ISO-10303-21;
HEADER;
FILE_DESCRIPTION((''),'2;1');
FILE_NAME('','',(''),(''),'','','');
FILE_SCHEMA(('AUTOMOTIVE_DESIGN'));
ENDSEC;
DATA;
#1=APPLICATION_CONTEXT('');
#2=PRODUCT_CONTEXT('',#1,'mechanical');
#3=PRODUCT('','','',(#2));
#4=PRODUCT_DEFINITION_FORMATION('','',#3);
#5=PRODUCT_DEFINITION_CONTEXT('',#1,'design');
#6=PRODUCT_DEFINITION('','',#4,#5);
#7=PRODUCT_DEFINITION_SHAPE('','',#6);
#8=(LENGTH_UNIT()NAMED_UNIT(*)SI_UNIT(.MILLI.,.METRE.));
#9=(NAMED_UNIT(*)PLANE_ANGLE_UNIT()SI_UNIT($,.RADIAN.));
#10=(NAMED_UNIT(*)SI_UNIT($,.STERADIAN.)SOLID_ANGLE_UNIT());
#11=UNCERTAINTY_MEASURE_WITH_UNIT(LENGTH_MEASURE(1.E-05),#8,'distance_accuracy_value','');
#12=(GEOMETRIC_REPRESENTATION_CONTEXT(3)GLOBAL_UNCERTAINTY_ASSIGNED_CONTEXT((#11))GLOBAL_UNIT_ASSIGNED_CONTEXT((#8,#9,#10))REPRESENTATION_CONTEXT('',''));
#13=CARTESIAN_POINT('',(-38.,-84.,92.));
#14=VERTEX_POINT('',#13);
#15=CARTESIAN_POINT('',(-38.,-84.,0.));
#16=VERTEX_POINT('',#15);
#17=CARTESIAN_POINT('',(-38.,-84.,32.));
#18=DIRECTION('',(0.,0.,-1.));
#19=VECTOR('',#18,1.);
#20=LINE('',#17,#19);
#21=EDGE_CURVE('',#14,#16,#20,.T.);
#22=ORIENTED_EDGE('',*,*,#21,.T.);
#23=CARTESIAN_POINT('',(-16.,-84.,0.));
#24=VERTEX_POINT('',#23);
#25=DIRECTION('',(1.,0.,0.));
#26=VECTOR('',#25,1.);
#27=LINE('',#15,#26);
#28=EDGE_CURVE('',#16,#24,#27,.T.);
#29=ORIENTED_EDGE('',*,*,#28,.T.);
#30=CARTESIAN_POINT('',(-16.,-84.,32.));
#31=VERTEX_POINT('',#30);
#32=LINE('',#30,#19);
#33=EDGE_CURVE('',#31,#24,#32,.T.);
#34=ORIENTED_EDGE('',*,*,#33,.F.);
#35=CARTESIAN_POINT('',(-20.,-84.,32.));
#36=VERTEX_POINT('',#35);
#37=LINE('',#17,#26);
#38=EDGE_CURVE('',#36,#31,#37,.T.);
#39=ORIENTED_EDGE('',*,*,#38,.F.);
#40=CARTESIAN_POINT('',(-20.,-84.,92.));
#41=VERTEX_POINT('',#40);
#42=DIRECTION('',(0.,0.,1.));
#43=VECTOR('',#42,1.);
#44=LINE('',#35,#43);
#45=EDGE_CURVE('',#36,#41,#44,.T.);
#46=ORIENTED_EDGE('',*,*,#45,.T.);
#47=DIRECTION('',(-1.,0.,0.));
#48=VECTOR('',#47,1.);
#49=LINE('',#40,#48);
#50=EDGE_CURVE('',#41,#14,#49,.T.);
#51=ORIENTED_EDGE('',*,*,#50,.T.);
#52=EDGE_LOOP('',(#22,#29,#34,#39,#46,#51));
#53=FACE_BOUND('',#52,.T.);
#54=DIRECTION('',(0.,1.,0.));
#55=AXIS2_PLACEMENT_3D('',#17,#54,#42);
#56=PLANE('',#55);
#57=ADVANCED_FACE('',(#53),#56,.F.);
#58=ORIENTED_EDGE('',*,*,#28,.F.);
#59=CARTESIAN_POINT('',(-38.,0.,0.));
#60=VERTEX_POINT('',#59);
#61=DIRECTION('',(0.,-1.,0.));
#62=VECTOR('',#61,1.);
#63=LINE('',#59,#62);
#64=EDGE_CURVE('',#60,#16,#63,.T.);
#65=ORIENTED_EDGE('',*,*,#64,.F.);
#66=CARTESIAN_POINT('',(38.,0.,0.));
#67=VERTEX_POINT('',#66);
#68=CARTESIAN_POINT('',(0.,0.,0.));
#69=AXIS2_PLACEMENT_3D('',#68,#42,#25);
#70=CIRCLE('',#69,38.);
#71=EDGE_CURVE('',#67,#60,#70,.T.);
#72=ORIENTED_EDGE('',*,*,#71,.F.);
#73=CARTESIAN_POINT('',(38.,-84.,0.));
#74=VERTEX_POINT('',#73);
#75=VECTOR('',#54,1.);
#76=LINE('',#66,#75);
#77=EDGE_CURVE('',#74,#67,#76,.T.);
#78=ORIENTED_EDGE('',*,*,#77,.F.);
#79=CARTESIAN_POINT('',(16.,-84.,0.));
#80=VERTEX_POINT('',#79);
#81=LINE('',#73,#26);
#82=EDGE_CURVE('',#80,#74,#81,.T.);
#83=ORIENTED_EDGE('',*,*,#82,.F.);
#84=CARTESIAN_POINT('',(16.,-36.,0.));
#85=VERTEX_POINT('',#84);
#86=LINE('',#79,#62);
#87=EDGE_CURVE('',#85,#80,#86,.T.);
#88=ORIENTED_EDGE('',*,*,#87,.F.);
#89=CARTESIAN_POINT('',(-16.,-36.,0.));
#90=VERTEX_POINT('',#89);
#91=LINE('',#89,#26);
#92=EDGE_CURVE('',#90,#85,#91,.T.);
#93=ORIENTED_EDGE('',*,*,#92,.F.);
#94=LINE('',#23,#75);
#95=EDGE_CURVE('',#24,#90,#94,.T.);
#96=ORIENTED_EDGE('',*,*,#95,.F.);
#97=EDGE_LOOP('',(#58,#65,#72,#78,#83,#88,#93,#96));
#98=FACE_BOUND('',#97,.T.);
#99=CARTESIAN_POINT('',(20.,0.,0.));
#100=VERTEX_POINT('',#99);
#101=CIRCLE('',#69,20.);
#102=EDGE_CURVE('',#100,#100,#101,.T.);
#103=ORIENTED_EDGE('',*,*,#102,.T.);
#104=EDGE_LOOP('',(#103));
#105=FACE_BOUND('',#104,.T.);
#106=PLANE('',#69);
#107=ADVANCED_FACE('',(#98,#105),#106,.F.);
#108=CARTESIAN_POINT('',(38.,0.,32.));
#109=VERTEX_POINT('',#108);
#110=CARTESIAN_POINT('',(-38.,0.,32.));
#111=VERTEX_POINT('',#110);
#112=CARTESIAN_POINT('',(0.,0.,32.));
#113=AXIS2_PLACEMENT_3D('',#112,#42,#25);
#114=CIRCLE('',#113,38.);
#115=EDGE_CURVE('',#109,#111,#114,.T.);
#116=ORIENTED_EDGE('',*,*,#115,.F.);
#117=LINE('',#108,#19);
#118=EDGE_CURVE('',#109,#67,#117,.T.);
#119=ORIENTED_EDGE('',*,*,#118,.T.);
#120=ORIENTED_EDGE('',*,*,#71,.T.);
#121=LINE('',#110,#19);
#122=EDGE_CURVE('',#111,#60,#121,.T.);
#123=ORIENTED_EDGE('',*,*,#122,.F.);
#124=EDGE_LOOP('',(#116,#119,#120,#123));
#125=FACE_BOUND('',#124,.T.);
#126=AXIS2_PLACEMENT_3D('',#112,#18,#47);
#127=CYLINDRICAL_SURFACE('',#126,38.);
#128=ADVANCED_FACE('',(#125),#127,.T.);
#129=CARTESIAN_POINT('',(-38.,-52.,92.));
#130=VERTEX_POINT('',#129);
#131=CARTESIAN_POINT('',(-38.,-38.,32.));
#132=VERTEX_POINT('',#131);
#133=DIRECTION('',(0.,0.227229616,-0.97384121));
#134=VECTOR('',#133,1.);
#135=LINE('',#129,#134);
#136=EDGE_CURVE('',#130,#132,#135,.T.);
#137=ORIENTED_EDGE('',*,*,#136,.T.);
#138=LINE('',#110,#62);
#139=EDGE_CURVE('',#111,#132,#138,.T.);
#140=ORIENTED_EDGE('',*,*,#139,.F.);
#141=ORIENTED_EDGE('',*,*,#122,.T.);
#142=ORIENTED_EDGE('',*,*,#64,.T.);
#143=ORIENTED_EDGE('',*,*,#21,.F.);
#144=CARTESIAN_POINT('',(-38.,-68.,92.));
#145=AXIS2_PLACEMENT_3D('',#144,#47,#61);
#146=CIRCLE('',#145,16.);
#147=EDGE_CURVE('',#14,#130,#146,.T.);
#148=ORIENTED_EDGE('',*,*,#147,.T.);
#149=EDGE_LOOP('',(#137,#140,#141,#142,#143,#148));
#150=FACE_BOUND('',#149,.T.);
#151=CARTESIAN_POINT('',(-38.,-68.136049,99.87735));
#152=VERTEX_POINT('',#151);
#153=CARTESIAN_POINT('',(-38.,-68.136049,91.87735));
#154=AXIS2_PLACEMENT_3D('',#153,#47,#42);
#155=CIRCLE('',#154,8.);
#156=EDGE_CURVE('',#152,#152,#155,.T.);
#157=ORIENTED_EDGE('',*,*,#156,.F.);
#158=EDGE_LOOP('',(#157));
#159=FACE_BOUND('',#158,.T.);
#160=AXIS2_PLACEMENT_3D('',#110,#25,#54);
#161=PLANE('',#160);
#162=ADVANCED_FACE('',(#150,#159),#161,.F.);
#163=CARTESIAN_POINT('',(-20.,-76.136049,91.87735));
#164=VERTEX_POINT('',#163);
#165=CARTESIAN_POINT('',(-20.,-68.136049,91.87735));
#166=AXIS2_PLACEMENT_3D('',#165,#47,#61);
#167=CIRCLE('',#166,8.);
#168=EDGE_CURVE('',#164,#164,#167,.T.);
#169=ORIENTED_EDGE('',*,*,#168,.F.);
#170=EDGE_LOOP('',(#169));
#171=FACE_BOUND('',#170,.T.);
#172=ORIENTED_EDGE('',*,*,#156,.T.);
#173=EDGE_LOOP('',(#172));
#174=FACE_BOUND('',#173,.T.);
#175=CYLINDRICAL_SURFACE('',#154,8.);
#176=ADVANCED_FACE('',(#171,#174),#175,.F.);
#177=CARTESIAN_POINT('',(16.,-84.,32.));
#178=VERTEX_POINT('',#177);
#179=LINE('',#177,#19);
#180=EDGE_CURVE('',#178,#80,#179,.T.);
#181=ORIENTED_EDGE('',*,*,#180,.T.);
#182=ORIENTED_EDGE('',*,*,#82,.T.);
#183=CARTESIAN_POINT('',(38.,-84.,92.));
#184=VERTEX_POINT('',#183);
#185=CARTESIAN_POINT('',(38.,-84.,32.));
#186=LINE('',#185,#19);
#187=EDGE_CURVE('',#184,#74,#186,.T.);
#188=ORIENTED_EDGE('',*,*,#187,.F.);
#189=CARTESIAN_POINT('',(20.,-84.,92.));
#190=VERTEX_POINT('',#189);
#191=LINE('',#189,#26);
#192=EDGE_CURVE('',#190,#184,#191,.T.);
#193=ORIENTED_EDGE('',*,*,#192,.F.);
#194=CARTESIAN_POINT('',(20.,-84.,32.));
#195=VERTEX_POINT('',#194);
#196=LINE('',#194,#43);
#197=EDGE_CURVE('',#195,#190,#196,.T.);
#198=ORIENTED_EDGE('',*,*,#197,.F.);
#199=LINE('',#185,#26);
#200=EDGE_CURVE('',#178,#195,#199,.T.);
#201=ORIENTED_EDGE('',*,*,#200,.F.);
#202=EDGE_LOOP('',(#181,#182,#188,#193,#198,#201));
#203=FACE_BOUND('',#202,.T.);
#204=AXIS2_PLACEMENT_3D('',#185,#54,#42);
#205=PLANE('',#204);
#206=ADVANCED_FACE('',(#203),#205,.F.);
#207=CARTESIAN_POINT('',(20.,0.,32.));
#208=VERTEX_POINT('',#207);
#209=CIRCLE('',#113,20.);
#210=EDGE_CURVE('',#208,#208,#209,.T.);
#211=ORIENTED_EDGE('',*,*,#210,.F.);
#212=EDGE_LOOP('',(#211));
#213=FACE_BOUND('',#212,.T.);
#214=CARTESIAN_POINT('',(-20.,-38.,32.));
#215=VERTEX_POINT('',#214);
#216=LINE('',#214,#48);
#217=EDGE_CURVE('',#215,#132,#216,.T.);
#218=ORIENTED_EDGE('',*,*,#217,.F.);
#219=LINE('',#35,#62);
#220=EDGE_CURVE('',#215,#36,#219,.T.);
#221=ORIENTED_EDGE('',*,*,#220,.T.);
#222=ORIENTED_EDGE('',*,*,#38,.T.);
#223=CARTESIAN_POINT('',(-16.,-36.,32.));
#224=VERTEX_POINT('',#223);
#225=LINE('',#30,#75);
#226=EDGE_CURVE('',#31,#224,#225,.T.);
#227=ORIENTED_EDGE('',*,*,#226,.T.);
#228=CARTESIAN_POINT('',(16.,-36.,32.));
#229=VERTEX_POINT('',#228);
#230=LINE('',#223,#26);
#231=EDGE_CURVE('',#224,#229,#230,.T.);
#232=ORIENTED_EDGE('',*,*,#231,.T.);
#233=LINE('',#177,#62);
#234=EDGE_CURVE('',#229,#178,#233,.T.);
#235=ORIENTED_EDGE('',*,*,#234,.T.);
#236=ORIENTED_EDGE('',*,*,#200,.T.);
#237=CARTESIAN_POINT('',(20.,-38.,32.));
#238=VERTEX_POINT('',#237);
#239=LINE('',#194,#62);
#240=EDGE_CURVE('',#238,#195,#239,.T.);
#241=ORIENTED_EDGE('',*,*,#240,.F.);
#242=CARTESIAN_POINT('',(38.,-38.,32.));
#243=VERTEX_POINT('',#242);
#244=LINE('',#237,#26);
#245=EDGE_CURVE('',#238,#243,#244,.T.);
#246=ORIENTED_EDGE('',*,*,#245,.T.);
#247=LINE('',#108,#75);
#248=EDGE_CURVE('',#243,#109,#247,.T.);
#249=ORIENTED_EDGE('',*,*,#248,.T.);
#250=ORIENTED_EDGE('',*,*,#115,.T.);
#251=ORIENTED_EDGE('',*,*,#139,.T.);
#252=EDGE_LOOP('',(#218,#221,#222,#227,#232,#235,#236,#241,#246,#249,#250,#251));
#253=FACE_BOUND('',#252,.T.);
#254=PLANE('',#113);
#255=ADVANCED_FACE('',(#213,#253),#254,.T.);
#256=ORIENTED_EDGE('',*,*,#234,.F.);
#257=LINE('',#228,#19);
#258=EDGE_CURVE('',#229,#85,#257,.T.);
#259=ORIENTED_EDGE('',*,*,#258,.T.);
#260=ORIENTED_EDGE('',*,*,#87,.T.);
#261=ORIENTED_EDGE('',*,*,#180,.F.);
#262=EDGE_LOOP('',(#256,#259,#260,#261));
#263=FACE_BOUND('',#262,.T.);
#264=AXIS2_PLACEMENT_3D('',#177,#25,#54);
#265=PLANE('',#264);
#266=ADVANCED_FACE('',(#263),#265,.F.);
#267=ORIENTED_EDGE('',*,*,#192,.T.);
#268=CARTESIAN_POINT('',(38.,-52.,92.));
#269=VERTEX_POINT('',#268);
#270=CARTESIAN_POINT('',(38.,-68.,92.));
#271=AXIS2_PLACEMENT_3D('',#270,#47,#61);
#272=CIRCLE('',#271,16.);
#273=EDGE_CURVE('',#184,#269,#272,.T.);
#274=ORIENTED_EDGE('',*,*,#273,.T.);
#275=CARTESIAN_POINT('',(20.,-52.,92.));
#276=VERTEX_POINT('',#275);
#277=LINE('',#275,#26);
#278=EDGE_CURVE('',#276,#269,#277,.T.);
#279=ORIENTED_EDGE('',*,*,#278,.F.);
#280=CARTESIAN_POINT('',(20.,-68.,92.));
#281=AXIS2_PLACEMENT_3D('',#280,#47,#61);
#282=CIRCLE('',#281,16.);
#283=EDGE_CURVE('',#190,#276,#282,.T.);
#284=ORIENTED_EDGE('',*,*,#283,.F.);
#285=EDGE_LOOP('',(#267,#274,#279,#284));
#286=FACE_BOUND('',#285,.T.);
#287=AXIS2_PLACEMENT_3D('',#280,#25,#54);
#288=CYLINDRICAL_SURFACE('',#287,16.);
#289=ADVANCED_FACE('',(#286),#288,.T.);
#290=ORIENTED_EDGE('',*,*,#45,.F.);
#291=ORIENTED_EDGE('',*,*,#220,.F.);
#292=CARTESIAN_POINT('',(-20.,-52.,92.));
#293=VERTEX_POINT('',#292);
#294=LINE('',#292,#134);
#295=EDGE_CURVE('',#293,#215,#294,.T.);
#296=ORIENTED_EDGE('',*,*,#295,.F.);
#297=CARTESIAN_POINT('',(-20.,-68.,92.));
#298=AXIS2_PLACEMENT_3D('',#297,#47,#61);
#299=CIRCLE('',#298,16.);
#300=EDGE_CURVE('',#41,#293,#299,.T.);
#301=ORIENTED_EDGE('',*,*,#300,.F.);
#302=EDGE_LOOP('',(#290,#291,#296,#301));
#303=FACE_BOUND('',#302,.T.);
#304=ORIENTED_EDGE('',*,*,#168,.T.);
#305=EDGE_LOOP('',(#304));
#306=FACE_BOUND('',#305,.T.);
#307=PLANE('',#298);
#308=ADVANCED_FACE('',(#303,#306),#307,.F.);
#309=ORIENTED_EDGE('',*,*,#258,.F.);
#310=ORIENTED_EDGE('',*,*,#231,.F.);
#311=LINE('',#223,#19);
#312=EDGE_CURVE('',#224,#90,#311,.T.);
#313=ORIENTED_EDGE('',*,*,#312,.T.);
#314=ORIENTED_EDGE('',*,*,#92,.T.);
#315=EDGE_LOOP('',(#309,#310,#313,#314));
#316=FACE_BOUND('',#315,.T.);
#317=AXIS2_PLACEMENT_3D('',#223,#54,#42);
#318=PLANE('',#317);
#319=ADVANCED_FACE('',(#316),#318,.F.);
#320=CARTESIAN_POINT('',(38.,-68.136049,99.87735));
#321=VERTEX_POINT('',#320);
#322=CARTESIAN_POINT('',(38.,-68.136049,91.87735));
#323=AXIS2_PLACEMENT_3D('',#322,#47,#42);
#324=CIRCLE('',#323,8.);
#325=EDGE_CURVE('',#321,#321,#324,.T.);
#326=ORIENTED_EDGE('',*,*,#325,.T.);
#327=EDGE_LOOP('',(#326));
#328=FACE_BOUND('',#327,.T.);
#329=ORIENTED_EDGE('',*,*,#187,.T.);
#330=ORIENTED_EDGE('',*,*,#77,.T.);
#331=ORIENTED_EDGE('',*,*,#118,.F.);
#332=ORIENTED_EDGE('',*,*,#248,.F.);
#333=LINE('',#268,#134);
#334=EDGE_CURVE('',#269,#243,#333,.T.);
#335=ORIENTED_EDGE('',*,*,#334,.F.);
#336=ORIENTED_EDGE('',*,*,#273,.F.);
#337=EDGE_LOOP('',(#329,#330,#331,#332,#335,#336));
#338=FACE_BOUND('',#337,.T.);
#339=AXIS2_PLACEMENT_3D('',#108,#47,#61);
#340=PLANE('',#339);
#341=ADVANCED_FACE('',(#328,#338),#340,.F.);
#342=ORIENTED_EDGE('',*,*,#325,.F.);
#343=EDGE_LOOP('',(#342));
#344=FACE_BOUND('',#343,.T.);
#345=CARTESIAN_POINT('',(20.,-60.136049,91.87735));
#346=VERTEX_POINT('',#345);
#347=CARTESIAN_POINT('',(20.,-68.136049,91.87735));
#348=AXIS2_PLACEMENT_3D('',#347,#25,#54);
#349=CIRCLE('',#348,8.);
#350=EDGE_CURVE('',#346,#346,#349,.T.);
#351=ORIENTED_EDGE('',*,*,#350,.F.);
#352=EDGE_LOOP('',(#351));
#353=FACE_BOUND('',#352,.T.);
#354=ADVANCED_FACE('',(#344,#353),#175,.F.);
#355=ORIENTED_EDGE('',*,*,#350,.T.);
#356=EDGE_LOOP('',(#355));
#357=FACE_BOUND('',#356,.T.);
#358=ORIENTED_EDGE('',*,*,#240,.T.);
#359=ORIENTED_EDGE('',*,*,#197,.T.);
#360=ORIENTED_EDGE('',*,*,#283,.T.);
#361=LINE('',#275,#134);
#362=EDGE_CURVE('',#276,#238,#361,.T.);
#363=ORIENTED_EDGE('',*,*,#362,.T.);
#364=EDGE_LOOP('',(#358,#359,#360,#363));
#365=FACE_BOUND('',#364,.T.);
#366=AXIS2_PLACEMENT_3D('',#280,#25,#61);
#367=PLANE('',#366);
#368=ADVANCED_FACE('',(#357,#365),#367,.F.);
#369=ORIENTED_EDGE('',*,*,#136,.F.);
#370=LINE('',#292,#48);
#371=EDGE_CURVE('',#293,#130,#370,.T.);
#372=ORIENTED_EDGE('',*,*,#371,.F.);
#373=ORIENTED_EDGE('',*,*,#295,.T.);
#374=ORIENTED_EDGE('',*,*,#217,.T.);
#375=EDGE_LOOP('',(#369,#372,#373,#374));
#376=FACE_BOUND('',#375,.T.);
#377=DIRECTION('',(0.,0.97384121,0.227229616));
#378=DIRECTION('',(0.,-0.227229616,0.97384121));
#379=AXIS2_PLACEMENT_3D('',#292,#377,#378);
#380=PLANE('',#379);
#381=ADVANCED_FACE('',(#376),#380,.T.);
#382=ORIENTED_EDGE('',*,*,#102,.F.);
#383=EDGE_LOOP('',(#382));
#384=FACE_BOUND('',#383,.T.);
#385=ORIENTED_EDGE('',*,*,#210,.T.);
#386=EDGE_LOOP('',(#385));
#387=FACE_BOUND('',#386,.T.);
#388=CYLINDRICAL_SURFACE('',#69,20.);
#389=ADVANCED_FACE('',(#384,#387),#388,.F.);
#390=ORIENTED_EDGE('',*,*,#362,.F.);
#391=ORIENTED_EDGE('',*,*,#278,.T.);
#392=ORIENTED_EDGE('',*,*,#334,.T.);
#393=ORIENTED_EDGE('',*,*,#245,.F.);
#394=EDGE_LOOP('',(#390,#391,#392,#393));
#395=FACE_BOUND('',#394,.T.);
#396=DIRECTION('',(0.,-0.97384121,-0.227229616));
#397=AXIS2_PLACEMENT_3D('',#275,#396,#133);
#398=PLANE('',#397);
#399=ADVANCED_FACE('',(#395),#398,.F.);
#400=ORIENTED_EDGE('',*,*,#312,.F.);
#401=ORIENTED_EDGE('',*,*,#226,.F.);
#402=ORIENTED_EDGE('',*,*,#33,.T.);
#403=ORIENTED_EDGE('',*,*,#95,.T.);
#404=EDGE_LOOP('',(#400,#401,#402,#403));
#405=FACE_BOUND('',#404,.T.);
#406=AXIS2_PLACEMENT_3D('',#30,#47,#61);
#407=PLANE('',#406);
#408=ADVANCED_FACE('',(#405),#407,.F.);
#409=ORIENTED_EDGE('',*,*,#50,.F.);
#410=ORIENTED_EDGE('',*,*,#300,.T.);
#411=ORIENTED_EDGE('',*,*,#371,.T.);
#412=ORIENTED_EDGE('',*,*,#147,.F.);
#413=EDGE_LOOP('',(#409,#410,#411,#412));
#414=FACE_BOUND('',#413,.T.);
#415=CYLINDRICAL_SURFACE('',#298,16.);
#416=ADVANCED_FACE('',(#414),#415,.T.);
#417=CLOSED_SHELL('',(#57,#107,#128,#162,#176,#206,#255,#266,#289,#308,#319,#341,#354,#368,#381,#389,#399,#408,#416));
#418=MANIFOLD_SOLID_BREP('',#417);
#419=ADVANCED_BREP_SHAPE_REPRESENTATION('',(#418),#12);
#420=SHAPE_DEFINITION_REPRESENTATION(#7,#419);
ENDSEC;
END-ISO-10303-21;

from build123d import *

# Parameters (mm, degrees)
BOSS_EXTRUDE1_DEPTH    = 32
SKETCH2_R              = 20
CUT_EXTRUDE1_DEPTH     = 33
BOSS_EXTRUDE2_DEPTH    = 18
F_16_0MM_DOWEL_SLOT1_D = 16


with BuildPart() as part:
    # Sketch1 → Boss-Extrude1 (new body)
    with BuildSketch(Plane.XY):
        with BuildLine():
            Line((-38, 0), (-38, -84))
            Line((-38, -84), (-16, -84))
            Line((-16, -84), (-16, -36))
            Line((-16, -36), (16, -36))
            Line((16, -36), (16, -84))
            Line((16, -84), (38, -84))
            Line((38, -84), (38, 0))
            ThreePointArc((38, 0), (0, 38), (-38, 0))
        make_face()
    extrude(amount=BOSS_EXTRUDE1_DEPTH)

    # Sketch2 → Cut-Extrude1 (cut, through all)
    with BuildSketch(Plane.XY.offset(32)):
        Circle(SKETCH2_R)
    extrude(amount=-CUT_EXTRUDE1_DEPTH, mode=Mode.SUBTRACT)

    # Sketch3 → Boss-Extrude2 (add)
    with BuildSketch(Plane.ZY.offset(38)):
        with BuildLine():
            Line((32, -84), (92, -84))
            ThreePointArc((92, -84), (108, -68), (92, -52))
            Line((92, -52), (32, -38))
            Line((32, -38), (32, -84))
        make_face()
    boss_extrude2 = extrude(amount=-BOSS_EXTRUDE2_DEPTH)

    # Mirror1: Boss-Extrude2 across plane
    add(boss_extrude2.mirror(Plane(origin=(0, 0, 0), x_dir=(0, 0, 1), z_dir=(1, 0, 0))))

    # Ø16.0mm Dowel Slot1 (through all)
    with Locations(Plane.ZY.offset(38)):
        with Locations((91.877349946, -68.13604901)):
            Hole(F_16_0MM_DOWEL_SLOT1_D / 2)


solid = part.part
